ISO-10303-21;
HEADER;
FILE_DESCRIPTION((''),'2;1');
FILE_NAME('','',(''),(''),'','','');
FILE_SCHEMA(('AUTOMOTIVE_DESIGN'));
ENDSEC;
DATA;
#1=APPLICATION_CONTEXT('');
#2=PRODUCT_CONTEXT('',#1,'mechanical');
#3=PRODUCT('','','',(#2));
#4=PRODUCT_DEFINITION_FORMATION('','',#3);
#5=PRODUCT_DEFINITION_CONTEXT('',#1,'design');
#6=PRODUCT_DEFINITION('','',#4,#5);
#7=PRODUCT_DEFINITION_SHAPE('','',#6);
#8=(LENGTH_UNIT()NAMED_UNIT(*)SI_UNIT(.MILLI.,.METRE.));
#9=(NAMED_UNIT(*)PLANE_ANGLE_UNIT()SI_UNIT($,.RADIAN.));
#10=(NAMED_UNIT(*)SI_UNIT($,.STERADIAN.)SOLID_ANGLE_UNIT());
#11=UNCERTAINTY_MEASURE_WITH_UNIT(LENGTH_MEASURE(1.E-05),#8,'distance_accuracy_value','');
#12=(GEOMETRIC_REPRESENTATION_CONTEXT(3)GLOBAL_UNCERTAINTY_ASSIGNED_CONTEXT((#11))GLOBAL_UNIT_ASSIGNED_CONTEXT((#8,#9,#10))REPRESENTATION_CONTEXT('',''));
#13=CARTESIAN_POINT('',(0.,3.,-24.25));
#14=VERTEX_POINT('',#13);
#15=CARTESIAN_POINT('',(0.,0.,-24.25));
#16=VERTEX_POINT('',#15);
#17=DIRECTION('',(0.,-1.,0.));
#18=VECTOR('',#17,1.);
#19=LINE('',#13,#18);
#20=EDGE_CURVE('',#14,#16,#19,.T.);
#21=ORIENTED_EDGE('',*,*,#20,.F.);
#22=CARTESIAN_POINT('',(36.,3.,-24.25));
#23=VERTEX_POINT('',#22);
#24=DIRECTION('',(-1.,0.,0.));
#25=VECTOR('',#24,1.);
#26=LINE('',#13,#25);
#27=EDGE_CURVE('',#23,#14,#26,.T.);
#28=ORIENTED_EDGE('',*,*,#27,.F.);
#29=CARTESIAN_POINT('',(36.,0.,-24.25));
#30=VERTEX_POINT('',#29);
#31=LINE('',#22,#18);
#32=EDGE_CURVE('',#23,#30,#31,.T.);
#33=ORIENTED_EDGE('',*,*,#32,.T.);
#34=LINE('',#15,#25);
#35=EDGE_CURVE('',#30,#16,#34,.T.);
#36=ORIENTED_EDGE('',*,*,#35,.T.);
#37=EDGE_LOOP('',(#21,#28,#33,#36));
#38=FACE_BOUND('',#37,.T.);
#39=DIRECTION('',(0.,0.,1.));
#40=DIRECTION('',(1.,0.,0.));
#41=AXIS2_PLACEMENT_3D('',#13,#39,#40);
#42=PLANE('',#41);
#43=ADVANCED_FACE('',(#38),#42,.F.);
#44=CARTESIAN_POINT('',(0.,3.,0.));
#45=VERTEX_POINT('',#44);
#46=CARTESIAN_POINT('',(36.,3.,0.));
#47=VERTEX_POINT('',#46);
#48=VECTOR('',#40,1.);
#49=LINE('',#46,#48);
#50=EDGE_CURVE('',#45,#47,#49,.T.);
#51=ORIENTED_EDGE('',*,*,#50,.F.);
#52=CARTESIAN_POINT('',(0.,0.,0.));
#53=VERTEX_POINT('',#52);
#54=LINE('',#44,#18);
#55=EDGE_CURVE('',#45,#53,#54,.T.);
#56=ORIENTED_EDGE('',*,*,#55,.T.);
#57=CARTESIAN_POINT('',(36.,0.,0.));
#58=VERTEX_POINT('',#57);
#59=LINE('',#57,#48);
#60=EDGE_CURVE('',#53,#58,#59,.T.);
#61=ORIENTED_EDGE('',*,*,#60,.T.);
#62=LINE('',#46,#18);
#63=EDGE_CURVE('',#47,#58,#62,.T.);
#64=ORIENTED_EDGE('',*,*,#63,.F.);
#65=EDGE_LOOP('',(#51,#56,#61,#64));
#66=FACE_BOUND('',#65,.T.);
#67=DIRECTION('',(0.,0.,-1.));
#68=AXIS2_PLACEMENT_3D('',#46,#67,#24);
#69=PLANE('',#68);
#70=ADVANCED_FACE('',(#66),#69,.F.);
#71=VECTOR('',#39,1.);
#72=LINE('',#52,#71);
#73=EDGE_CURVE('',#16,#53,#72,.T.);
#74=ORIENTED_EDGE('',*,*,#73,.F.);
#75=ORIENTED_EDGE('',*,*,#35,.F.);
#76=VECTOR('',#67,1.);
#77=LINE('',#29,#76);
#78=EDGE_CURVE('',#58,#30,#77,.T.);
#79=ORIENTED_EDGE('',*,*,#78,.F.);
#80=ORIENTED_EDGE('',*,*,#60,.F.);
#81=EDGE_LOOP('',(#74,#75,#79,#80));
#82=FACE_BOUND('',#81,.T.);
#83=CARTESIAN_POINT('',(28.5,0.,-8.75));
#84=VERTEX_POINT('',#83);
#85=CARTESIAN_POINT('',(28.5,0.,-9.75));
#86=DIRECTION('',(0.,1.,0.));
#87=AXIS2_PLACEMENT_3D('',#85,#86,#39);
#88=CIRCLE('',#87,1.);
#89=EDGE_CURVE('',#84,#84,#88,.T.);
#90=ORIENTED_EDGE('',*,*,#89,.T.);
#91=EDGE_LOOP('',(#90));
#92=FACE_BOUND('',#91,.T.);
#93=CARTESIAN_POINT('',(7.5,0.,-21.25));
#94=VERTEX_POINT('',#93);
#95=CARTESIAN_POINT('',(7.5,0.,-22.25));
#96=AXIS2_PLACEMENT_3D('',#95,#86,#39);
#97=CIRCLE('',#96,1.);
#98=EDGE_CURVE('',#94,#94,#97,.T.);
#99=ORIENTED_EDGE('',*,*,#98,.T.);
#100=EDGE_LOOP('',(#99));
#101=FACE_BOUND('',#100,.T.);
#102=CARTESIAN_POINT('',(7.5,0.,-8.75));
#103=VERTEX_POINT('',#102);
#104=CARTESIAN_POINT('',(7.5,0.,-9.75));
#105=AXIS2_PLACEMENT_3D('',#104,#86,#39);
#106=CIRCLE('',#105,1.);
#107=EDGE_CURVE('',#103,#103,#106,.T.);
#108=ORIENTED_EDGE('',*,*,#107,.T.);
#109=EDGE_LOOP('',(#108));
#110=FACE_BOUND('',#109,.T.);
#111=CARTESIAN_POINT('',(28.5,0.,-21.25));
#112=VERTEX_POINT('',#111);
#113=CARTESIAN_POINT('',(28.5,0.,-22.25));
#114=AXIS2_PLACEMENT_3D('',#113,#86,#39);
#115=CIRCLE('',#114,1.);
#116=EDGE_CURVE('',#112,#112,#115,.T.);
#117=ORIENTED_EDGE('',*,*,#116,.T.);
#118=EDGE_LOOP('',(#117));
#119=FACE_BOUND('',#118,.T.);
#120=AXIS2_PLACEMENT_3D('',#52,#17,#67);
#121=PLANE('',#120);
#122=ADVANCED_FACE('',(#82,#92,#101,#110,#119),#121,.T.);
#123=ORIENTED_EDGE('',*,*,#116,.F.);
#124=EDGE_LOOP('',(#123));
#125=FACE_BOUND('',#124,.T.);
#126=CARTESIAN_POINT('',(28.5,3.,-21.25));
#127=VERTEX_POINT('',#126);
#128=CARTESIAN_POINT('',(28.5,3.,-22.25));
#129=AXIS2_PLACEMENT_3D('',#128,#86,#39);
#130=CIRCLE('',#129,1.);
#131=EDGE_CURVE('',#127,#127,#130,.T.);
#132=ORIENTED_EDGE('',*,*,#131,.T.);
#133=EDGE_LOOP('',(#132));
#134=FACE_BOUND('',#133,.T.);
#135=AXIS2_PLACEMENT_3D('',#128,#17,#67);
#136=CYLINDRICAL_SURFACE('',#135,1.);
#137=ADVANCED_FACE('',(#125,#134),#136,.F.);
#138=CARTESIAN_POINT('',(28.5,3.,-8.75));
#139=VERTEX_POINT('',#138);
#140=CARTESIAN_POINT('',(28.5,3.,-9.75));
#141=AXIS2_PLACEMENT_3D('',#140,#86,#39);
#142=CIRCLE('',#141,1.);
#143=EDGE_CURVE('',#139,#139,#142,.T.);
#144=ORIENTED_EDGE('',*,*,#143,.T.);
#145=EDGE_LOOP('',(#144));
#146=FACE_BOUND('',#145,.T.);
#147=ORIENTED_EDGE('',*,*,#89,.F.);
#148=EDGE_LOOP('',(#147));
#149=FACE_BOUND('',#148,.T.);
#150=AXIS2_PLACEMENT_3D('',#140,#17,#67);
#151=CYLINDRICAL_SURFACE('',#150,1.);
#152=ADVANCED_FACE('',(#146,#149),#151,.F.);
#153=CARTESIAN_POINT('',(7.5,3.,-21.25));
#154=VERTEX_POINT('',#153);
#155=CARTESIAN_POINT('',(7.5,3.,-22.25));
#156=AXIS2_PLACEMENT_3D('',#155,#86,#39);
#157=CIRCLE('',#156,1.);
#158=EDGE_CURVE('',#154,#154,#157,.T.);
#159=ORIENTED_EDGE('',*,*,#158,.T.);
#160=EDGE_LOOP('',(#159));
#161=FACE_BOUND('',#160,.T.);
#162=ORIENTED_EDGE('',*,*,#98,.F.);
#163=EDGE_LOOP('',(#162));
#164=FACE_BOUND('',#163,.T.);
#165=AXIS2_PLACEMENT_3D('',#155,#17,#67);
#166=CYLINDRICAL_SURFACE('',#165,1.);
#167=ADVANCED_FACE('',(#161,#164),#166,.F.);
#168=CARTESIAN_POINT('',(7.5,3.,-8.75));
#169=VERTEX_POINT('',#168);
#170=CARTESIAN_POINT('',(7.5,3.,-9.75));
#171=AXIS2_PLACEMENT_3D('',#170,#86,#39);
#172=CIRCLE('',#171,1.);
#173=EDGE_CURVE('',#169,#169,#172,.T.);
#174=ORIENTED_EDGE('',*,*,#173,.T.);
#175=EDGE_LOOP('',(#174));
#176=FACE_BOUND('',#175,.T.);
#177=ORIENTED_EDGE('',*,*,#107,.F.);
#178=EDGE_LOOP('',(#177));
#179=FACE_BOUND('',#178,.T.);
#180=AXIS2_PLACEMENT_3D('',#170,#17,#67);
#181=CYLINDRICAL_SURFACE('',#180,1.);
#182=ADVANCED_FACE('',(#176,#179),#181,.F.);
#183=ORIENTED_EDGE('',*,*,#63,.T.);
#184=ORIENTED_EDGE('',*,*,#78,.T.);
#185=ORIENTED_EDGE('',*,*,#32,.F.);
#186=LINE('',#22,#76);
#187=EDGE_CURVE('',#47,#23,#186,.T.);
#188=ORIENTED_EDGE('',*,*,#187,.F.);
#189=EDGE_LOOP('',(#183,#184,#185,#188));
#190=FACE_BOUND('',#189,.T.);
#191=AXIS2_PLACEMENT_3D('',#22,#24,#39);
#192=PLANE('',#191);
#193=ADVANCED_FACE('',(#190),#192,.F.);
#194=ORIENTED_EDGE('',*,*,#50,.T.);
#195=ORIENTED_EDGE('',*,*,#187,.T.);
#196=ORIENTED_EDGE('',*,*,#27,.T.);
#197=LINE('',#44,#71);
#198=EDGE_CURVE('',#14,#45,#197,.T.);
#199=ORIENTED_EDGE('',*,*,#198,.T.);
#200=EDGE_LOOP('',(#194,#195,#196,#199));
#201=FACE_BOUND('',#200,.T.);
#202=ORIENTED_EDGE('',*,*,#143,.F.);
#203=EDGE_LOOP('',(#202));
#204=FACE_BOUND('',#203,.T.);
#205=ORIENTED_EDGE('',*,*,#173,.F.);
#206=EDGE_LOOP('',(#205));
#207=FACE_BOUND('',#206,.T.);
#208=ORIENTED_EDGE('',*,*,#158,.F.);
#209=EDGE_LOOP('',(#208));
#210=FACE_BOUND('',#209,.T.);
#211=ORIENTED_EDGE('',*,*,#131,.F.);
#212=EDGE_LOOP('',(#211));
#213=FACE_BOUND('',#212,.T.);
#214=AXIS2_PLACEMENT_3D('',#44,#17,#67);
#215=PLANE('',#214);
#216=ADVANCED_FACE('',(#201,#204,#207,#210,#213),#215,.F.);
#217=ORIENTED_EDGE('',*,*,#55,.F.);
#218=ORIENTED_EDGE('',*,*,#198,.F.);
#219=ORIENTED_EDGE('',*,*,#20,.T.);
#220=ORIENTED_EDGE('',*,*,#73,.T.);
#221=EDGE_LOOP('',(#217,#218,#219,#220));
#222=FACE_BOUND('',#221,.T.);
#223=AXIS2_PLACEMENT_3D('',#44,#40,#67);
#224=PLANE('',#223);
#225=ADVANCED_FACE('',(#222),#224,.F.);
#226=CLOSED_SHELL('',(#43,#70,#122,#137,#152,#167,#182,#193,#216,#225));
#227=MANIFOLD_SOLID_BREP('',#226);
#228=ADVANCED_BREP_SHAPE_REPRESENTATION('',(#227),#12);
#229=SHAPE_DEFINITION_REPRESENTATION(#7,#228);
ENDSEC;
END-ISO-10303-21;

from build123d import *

# Parameters (mm, degrees)
SKETCH2_W           = 36
SKETCH2_H           = 24.25
SKETCH2_R           = 1
BOSS_EXTRUDE1_DEPTH = 3


with BuildPart() as part:
    # Sketch2 → Boss-Extrude1 (new body)
    with BuildSketch(Plane(origin=(0, 0, 0), x_dir=(1, 0, 0), z_dir=(0, 1, 0))):
        with Locations((18, 12.125)):
            Rectangle(SKETCH2_W, SKETCH2_H)
        with Locations(Location((7.5, 22.25, 0), (0, 0, 270))):
            Circle(SKETCH2_R, mode=Mode.SUBTRACT)
        with Locations(Location((28.5, 22.25, 0), (0, 0, 270))):
            Circle(SKETCH2_R, mode=Mode.SUBTRACT)
        with Locations(Location((28.5, 9.75, 0), (0, 0, 270))):
            Circle(SKETCH2_R, mode=Mode.SUBTRACT)
        with Locations(Location((7.5, 9.75, 0), (0, 0, 270))):
            Circle(SKETCH2_R, mode=Mode.SUBTRACT)
    extrude(amount=BOSS_EXTRUDE1_DEPTH)


solid = part.part
